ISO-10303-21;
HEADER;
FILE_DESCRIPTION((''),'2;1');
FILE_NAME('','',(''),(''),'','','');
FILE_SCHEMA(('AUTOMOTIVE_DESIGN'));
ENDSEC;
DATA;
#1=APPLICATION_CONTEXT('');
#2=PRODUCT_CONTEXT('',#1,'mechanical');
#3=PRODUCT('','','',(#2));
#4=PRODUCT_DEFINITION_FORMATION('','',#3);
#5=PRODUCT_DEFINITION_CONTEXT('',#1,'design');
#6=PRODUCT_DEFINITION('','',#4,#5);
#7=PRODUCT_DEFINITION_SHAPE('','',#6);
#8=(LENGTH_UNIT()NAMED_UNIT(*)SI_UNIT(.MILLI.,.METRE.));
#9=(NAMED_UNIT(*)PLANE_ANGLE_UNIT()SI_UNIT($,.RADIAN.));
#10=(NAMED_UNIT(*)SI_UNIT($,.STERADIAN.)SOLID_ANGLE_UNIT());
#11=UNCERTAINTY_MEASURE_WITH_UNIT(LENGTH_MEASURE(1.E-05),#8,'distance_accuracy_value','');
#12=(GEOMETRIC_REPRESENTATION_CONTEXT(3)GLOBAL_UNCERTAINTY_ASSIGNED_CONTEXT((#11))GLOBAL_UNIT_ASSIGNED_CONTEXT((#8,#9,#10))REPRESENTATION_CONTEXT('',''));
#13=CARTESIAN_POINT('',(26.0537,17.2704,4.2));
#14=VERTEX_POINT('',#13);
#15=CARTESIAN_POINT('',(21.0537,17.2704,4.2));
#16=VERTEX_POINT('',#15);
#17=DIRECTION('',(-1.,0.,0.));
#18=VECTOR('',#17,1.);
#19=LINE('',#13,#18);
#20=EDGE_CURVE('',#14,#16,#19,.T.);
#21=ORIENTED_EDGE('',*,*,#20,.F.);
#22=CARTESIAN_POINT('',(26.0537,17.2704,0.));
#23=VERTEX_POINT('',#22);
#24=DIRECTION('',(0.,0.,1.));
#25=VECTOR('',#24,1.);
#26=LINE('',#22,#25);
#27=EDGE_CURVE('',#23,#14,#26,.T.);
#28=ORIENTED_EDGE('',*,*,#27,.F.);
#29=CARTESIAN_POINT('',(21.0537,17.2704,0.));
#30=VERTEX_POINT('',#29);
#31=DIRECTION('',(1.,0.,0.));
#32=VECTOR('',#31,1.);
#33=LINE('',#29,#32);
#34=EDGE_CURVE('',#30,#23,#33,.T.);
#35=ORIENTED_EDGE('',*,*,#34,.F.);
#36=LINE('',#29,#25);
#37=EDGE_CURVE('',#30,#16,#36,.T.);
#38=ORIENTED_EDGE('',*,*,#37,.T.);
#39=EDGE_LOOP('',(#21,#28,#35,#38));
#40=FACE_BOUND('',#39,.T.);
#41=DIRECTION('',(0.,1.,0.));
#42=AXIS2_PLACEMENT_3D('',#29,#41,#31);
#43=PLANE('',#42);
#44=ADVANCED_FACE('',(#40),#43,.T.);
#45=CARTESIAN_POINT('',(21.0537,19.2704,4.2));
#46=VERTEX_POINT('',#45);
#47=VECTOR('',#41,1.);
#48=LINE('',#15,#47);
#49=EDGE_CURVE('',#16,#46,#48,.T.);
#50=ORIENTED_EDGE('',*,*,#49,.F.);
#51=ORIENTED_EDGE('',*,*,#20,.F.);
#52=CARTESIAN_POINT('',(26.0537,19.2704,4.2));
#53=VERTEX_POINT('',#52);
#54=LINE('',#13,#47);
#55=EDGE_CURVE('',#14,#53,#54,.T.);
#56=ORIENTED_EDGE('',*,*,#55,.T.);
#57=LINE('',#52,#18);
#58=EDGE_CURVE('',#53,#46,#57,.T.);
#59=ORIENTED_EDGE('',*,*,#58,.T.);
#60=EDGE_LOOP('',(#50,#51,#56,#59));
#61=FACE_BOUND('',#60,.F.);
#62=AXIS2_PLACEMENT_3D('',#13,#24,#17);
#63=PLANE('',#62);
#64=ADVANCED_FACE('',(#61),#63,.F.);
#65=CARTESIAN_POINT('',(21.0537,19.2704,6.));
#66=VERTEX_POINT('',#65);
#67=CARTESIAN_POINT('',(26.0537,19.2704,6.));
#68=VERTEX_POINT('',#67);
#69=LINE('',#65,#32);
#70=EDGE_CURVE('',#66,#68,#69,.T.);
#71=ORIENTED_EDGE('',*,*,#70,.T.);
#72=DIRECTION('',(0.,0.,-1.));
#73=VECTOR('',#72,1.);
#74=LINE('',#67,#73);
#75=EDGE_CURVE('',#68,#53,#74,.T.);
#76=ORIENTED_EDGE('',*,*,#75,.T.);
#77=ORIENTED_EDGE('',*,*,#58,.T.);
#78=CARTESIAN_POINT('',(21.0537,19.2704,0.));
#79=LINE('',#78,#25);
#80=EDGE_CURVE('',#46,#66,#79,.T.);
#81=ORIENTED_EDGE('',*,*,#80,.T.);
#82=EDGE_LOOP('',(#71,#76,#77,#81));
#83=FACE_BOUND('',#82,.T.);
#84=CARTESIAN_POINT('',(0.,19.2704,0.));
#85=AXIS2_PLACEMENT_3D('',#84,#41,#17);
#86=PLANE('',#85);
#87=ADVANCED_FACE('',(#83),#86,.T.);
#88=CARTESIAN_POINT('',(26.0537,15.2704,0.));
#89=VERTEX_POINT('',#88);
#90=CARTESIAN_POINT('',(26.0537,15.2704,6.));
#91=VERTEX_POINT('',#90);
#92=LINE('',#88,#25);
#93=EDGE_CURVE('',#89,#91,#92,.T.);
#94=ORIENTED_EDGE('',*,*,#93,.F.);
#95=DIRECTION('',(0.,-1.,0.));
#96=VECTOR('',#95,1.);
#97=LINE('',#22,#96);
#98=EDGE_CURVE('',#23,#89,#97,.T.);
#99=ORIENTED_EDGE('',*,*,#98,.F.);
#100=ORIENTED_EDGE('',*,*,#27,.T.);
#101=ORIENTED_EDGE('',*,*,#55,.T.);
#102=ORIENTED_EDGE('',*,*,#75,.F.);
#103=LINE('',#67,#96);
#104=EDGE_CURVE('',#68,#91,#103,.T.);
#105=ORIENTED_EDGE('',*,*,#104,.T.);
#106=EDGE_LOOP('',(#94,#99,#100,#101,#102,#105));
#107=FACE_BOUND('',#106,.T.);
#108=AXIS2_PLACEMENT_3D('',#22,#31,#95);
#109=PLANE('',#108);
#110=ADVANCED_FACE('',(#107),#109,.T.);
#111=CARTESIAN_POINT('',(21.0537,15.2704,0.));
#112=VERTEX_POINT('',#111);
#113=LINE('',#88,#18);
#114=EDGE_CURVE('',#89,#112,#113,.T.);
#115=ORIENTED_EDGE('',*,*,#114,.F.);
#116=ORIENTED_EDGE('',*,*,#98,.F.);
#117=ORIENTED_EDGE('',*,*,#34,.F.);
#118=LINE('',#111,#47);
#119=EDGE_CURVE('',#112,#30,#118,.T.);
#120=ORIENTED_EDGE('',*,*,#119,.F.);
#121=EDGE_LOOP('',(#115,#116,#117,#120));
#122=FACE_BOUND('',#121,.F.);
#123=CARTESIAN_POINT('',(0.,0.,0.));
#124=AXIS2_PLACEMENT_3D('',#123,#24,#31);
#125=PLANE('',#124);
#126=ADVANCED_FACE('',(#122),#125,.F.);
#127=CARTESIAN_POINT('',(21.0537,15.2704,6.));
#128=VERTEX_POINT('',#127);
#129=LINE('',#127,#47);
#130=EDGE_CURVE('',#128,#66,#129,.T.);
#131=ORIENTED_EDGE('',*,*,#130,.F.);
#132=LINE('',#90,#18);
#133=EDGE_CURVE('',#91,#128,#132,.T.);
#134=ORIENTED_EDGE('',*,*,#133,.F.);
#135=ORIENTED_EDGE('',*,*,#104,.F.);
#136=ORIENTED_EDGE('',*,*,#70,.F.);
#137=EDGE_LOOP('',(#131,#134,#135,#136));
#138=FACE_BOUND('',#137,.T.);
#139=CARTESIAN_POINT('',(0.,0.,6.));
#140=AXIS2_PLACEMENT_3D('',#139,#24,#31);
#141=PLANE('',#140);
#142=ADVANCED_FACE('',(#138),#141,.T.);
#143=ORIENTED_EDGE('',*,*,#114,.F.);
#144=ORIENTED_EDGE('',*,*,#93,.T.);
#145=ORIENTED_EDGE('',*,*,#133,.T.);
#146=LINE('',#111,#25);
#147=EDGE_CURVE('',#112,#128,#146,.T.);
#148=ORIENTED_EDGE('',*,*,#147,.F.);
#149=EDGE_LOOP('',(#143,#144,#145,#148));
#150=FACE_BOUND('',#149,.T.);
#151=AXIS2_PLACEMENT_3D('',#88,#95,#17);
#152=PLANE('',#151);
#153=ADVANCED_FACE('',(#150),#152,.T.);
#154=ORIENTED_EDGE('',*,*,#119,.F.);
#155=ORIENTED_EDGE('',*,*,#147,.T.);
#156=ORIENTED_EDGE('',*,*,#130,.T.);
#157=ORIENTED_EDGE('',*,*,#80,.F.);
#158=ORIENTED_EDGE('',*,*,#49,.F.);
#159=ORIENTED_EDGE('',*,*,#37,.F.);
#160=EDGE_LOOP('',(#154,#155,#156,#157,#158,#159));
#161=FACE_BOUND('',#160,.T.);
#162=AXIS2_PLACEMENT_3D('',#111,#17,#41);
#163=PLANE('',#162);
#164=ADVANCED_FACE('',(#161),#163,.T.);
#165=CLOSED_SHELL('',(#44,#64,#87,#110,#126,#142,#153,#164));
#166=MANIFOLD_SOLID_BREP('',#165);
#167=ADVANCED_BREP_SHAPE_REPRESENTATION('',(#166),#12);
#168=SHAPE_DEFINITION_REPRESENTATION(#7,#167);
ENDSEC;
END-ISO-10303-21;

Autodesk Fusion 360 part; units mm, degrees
sketch "Esquisse1" plane through (0, 0, 0) normal (0, 0, 1) x (1, 0, 0)
  line L0 (21.0537, 17.2704) -> (26.0537, 17.2704)
  line L1 (26.0537, 17.2704) -> (26.0537, 15.2704)
  line L2 (26.0537, 15.2704) -> (21.0537, 15.2704)
  line L3 (21.0537, 15.2704) -> (21.0537, 17.2704)
  dimension "d1" = 5
  dimension "d2" = 2
extrude "Extrusion1" add sketch "Esquisse1" along normal blind 6
sketch "Esquisse2" plane through (0, 17.2704, 0) normal (0, 1, 0) x (-1, 0, 0)
  line L0 (-26.0537, 0) -> (-21.0537, 0)
  line L1 (-21.0537, 0) -> (-21.0537, 6)
  line L2 (-21.0537, 6) -> (-26.0537, 6)
  line L3 (-26.0537, 6) -> (-26.0537, 0)
  line L4 (-21.0537, 6) -> (-26.0537, 6)
  line L5 (-26.0537, 6) -> (-26.0537, 4.2)
  line L6 (-26.0537, 4.2) -> (-21.0537, 4.2)
  line L7 (-21.0537, 4.2) -> (-21.0537, 6)
  dimension "d5" = 1.8
extrude "Extrusion2" add sketch "Esquisse2" along normal blind 2 contours L1 L2 L3 L4 L5 L6 L7
